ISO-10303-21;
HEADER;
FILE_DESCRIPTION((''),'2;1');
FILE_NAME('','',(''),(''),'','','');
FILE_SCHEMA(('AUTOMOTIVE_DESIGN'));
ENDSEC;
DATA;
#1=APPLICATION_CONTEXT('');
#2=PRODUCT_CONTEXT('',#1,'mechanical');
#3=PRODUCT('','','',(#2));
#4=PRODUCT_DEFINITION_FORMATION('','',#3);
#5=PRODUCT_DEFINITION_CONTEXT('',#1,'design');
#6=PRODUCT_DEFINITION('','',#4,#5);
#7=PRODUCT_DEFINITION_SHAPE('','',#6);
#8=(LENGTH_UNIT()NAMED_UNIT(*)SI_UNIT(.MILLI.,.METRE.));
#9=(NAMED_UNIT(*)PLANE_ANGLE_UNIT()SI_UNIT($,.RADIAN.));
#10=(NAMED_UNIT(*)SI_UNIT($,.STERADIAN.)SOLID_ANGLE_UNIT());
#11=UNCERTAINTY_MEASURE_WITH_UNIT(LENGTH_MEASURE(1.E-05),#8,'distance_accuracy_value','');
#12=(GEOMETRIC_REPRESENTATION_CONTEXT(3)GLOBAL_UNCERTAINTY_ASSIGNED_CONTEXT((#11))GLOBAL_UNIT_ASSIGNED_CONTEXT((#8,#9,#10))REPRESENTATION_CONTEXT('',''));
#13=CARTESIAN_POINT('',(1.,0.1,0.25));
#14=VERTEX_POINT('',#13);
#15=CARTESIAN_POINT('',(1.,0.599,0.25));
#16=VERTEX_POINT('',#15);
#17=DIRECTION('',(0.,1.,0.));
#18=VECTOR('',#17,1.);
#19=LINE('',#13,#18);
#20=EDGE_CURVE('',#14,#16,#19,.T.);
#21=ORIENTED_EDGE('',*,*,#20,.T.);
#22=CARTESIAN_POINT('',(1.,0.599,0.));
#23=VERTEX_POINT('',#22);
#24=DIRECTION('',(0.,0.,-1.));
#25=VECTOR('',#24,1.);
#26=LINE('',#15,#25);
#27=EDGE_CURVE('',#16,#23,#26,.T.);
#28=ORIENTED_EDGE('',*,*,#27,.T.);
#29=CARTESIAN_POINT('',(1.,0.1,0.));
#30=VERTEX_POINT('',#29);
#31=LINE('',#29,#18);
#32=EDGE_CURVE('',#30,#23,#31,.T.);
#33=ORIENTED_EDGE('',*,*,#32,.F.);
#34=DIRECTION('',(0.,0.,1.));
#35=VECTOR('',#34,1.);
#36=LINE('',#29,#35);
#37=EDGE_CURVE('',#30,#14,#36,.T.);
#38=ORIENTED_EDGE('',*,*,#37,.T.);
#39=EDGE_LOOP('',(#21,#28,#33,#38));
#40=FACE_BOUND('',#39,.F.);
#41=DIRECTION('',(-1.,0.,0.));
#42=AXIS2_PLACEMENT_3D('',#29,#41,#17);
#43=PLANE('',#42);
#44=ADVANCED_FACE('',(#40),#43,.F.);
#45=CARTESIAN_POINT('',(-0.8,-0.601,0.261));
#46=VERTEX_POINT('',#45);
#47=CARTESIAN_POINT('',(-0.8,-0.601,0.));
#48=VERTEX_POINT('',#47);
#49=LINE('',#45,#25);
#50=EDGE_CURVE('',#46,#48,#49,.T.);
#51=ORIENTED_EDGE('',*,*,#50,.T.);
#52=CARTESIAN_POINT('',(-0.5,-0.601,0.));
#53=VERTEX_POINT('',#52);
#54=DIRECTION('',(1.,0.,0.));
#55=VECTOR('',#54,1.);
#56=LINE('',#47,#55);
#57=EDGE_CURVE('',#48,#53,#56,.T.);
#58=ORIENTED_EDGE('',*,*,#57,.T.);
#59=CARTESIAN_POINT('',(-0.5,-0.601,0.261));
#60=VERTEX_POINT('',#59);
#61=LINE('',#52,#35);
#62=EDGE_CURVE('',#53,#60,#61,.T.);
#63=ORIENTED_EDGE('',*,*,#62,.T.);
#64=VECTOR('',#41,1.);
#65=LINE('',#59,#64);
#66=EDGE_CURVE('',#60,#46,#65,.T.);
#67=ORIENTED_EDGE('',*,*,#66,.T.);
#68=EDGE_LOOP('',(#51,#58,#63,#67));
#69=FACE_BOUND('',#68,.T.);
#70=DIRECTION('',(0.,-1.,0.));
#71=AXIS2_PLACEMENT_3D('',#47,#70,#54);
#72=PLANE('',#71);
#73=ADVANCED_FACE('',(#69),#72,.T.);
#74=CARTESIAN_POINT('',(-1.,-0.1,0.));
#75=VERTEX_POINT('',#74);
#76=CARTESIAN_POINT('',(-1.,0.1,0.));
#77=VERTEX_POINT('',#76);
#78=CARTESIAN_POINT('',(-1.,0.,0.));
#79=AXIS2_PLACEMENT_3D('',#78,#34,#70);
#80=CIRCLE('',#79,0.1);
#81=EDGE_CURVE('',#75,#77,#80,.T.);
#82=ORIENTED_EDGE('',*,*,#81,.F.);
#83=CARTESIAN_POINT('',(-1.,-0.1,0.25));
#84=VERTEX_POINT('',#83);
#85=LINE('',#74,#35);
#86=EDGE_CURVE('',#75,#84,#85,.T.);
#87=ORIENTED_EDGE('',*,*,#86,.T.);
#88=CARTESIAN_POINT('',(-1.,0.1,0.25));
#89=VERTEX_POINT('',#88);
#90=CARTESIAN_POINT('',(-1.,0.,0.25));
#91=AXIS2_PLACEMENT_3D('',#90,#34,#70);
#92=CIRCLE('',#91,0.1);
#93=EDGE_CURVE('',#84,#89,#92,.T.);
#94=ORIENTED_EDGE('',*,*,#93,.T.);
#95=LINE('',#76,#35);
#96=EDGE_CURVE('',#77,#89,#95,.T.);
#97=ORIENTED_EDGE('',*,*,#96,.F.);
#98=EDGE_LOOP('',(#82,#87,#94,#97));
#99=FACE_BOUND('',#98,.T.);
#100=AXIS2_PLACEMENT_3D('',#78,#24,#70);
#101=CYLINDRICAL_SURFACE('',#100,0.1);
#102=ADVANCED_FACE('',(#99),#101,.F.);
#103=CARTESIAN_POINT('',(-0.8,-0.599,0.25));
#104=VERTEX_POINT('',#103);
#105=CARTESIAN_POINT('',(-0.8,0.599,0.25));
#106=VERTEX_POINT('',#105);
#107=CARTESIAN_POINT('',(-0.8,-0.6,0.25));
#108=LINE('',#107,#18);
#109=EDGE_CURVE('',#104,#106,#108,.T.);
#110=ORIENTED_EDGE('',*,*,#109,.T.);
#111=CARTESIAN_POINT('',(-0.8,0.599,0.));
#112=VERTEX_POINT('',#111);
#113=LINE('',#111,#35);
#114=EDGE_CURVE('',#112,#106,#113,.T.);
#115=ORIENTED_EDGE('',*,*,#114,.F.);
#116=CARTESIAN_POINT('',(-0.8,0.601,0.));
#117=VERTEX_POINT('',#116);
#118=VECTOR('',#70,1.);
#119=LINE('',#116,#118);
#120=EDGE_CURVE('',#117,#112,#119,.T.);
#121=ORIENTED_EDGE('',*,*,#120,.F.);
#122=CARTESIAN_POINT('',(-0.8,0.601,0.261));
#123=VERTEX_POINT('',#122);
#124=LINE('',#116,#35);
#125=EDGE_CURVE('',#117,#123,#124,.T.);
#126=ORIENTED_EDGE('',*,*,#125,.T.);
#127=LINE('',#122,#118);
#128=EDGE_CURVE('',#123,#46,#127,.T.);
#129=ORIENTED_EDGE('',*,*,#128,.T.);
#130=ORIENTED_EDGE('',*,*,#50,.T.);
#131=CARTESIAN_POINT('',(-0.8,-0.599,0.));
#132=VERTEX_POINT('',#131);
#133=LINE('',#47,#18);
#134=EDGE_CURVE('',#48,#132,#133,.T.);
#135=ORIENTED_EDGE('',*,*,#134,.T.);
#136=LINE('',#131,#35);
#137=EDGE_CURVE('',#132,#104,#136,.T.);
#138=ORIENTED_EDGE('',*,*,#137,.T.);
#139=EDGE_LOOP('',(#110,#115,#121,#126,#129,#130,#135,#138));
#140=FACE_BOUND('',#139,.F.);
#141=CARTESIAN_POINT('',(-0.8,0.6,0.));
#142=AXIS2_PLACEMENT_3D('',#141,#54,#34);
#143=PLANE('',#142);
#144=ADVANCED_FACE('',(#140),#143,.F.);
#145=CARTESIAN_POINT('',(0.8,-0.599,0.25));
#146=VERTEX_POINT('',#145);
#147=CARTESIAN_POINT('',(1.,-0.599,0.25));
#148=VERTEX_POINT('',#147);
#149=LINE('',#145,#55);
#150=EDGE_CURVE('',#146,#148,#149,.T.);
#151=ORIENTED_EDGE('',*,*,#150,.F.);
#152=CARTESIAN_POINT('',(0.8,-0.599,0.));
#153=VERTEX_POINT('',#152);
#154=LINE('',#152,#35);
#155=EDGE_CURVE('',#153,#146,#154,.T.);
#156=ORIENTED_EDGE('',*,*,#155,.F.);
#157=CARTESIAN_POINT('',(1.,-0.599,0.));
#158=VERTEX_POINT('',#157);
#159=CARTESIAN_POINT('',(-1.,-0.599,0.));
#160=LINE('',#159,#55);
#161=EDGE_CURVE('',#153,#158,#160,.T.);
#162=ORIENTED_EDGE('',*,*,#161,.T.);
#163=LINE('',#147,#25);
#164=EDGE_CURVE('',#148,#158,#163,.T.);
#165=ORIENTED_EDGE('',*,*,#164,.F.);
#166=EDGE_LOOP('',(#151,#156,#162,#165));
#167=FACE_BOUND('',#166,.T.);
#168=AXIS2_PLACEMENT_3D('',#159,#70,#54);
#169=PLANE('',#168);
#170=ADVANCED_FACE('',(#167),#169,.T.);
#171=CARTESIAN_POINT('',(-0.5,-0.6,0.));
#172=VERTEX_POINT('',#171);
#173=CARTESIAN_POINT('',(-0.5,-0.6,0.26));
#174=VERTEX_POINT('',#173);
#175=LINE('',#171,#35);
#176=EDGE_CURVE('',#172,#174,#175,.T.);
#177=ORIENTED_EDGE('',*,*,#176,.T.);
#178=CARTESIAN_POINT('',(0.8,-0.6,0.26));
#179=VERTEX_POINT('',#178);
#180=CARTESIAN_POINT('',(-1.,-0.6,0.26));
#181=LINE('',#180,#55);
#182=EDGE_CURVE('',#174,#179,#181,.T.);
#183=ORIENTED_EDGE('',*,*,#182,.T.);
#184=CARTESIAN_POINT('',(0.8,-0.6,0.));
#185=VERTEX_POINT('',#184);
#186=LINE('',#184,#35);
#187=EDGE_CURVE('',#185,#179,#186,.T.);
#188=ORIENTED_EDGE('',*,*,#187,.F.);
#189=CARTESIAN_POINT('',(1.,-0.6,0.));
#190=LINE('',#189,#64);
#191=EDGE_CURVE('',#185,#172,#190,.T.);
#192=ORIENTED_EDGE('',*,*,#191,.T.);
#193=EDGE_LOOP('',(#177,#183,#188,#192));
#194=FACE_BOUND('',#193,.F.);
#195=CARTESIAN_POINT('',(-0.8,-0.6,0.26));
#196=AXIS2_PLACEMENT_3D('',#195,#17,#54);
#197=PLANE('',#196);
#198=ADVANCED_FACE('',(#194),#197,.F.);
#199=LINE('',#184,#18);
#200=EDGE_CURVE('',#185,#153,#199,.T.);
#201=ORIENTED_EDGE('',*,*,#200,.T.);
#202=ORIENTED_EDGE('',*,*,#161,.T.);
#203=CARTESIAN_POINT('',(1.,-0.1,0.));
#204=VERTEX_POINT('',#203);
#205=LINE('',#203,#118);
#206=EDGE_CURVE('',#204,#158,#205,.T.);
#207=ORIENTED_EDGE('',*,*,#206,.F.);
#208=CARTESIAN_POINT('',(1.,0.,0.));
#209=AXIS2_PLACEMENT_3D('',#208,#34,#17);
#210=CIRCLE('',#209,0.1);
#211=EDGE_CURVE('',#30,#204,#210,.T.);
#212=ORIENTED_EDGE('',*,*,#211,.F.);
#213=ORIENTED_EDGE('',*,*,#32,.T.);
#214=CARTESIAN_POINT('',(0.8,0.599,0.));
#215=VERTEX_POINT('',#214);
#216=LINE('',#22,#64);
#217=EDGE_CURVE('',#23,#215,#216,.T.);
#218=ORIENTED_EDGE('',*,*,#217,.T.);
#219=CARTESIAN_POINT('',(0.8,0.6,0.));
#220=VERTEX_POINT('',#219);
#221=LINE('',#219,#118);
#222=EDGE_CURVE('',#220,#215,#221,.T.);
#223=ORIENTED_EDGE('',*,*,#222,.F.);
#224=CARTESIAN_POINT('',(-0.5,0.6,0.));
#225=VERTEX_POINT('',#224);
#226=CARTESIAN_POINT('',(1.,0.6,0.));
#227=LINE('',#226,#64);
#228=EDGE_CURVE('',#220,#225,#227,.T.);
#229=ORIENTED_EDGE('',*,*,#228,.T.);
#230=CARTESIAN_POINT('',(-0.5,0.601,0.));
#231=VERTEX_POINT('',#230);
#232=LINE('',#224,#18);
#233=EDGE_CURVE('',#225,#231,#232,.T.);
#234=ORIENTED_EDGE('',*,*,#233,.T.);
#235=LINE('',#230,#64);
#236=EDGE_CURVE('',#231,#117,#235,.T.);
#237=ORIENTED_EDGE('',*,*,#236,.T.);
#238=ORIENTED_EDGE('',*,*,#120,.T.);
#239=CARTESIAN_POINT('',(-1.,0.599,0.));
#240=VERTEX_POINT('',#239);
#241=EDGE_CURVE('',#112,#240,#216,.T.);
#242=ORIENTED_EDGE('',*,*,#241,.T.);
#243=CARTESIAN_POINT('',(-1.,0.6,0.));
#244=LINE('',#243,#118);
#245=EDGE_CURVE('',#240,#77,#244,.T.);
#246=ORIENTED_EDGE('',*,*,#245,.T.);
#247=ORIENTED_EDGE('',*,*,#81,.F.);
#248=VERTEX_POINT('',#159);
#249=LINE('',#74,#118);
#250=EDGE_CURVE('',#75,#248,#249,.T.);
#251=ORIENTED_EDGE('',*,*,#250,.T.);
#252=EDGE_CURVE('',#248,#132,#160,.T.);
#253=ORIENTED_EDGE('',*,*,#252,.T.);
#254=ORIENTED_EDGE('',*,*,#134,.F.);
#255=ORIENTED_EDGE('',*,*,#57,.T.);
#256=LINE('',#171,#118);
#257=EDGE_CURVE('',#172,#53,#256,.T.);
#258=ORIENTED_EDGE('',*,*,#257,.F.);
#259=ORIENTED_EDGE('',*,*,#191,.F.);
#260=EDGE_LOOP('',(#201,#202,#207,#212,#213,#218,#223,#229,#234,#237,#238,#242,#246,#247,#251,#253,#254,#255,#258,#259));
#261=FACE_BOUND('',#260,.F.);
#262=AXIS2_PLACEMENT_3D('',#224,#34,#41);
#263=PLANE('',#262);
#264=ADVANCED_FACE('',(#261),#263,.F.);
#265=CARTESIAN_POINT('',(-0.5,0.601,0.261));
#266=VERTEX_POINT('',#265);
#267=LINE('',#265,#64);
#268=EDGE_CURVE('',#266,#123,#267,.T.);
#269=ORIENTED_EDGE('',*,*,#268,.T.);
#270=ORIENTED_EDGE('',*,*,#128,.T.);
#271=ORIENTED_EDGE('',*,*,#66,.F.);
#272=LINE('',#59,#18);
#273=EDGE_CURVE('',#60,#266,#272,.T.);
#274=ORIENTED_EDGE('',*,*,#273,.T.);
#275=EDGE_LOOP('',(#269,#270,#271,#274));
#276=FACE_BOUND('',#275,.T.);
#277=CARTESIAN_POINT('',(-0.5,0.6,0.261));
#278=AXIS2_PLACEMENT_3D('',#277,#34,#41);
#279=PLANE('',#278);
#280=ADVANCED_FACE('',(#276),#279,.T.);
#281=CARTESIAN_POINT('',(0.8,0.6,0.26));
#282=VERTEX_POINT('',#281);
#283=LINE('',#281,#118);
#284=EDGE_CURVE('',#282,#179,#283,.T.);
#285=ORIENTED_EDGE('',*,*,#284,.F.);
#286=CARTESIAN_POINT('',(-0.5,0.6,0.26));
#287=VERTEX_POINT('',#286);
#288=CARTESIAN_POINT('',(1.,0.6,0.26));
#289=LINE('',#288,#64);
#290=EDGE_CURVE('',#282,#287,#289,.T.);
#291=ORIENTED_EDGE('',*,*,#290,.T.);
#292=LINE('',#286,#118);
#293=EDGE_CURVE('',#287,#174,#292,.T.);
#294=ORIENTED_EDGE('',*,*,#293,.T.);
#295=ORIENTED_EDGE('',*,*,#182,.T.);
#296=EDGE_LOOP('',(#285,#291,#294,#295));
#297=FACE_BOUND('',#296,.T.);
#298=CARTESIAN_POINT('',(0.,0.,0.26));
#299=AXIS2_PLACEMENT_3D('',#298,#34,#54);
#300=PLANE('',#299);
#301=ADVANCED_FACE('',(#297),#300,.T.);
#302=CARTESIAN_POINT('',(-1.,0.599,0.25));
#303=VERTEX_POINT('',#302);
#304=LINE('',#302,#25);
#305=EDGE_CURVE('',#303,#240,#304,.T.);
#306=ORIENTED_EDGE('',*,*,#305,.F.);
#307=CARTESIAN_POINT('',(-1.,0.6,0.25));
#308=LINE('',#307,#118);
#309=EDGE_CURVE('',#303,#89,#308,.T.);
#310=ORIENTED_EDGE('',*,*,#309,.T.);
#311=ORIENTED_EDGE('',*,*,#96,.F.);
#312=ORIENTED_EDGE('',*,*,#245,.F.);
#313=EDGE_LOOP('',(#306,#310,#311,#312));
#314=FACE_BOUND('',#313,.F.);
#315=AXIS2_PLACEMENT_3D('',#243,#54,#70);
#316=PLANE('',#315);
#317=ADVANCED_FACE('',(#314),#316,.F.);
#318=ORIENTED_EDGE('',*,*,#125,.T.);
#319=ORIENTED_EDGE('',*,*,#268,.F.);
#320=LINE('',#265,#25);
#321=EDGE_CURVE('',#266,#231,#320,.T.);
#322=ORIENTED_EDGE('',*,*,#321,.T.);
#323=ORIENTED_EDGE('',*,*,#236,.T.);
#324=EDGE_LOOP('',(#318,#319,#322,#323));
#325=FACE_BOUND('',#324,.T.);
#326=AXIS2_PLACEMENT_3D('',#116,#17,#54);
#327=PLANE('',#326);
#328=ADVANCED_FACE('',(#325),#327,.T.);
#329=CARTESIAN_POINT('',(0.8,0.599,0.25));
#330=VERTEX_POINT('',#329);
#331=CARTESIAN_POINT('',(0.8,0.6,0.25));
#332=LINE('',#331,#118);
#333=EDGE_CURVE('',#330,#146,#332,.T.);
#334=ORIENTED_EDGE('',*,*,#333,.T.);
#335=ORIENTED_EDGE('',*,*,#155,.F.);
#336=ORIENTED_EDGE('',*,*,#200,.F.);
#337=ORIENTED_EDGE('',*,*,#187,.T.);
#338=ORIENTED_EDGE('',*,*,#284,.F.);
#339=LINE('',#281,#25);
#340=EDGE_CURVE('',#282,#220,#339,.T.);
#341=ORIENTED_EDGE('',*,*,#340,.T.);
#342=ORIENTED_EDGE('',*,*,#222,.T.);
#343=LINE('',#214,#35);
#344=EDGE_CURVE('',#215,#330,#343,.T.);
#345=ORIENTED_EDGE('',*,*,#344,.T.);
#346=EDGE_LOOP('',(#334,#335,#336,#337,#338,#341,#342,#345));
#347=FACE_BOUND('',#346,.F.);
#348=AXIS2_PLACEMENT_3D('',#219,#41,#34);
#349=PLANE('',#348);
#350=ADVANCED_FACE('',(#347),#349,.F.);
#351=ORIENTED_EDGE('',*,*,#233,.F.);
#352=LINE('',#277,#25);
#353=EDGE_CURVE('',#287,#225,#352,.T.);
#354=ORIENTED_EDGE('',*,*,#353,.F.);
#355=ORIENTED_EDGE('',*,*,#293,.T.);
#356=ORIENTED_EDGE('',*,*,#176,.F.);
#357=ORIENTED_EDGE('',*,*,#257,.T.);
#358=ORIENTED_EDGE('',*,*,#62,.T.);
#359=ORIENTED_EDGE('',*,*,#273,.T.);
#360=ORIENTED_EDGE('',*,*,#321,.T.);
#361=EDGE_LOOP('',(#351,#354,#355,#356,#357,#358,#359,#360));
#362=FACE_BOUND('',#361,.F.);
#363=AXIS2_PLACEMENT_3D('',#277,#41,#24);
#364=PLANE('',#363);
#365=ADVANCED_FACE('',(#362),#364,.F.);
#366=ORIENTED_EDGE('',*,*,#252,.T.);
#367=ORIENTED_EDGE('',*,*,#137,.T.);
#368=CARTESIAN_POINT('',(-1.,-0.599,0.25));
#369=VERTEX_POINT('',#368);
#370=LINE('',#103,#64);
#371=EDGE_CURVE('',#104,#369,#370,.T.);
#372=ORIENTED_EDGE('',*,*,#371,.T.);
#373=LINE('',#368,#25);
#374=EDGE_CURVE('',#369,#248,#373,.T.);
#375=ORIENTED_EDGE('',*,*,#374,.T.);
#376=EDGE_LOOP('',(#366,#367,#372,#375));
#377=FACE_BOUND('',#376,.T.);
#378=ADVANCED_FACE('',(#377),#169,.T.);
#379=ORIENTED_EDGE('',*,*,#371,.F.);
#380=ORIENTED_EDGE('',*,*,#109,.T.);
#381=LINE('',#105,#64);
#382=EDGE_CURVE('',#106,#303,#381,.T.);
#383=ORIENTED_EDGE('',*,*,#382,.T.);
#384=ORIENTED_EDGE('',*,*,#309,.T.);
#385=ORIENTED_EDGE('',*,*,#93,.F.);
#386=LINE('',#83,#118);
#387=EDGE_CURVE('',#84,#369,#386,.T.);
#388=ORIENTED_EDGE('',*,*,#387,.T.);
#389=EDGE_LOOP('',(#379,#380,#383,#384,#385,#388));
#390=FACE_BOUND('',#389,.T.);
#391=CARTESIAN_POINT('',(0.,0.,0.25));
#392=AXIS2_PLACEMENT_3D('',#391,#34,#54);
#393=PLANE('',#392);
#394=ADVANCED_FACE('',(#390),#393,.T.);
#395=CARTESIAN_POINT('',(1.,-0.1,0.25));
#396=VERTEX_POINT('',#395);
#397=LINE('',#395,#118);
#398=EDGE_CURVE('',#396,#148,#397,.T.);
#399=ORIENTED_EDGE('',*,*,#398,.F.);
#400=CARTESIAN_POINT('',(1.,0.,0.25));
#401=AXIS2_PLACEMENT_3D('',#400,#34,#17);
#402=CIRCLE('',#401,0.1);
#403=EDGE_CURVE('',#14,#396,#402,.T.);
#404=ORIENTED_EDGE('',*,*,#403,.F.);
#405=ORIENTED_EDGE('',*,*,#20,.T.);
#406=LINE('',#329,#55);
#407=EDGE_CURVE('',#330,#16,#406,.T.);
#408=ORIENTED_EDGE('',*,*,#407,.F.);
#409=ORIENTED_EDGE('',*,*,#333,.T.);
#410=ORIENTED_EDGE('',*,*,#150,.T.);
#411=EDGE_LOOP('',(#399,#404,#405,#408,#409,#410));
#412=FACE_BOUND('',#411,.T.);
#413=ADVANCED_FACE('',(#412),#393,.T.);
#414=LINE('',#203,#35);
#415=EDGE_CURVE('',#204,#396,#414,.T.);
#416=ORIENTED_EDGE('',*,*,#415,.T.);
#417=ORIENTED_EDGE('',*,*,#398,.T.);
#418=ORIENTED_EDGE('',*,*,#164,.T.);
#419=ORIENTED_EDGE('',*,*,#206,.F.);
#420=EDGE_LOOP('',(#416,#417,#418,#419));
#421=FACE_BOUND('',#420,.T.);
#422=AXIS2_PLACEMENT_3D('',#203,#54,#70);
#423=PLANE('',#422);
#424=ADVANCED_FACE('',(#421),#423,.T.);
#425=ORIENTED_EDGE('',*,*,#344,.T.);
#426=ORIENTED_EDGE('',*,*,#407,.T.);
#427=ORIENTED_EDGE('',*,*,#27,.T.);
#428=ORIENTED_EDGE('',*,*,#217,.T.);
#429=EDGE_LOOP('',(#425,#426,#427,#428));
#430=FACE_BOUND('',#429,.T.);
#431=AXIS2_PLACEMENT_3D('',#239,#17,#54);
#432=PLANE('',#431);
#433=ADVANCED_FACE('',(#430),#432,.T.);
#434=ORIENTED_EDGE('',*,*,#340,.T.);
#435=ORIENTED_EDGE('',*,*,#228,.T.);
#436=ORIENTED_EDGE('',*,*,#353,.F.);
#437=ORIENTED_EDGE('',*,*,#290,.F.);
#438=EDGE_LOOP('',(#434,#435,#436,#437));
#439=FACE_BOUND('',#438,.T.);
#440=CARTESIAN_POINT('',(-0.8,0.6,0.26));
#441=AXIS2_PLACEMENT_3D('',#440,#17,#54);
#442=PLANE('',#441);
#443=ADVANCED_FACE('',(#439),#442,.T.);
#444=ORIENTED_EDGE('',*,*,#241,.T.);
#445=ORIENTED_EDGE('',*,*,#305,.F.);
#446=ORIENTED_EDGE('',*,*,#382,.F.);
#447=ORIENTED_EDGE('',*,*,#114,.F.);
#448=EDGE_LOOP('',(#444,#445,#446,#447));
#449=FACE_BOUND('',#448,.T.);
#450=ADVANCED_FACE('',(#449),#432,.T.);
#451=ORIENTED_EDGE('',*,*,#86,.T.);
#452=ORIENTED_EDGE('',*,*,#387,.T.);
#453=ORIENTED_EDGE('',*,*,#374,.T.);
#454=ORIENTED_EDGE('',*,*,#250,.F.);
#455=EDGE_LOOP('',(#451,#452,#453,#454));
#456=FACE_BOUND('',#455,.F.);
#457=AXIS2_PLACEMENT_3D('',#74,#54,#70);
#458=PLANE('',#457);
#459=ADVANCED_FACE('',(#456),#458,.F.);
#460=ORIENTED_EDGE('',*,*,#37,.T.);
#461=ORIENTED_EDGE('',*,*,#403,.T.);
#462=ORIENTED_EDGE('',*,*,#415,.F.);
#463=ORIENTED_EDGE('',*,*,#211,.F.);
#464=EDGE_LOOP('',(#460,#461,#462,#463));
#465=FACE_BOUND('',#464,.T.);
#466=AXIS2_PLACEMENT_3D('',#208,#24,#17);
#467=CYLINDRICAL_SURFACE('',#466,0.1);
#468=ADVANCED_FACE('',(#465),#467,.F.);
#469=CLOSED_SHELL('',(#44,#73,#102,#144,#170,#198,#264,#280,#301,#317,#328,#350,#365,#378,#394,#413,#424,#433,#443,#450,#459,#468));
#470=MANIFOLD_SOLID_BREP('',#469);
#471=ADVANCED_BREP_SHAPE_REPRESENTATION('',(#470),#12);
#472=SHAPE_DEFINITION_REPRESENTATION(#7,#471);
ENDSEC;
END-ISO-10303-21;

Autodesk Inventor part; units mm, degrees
ref_plane "YZ Plane" through (0, 0, 0) normal (1, 0, 0) x (0, 1, 0)
ref_plane "XZ Plane" through (0, 0, 0) normal (0, 1, 0) x (-1, 0, 0)
ref_plane "XY Plane" through (0, 0, 0) normal (0, 0, 1) x (1, 0, 0)
sketch "Schizzo1" plane through (0, 0, 0) normal (0, 0, 1) x (1, 0, 0)
  line L0 (-1, 0.6) -> (1, 0.6)
  line L1 (1, 0.6) -> (1, -0.6) construction
  line L2 (1, -0.6) -> (-1, -0.6)
  line L3 (-1, -0.6) -> (-1, 0.6) construction
  arc A0 (-1, -0.1) -> (-1, 0.1) centre (-1, 0) ccw
  line L4 (-1, 0.6) -> (-1, 0.1)
  line L5 (-1, -0.1) -> (-1, -0.6)
  arc A1 (1, 0.1) -> (1, -0.1) centre (1, 0) ccw
  line L6 (1, -0.1) -> (1, -0.6)
  line L7 (1, 0.1) -> (1, 0.6)
  line L8 (-0.8, 0.6) -> (0.8, 0.6)
  line L9 (0.8, 0.6) -> (0.8, -0.6)
  line L10 (0.8, -0.6) -> (-0.8, -0.6)
  line L11 (-0.8, -0.6) -> (-0.8, 0.6)
  point P0 (0, 0)
  dimension "d0" = 2
  dimension "d1" = 1.2
  dimension "d2" = 1
  dimension "d3" = 0.6
  dimension "d4" = 0.1
  dimension "d5" = 0.6
  dimension "d6" = 0.1
  dimension "d7" = 0.2
  dimension "d8" = 0.2
extrude "Estrusione1" add sketch "Schizzo1" along normal blind 0.25
sketch "Schizzo2" plane through (0, 0, 0.25) normal (0, 0, 1) x (1, 0, 0)
  line L0 (1, 0.6) -> (-1, 0.6) projected
  line L1 (-1, -0.6) -> (1, -0.6) projected
  line L2 (-0.8, 0.6) -> (0.8, 0.6)
  line L3 (0.8, 0.6) -> (0.8, -0.6)
  line L4 (0.8, -0.6) -> (-0.8, -0.6)
  line L5 (-0.8, -0.6) -> (-0.8, 0.6)
  line L6 (1, 0.1) -> (1, 0.6) projected
  line L7 (-1, 0.6) -> (-1, 0.1) projected
  point P0 (0, 0)
  dimension "d11" = 0.2
  dimension "d12" = 0.2
extrude "Estrusione2" add sketch "Schizzo2" along normal blind 0.01
sketch "Schizzo3" plane through (0, 0, 0.26) normal (0, 0, 1) x (1, 0, 0)
  line L0 (-0.8, -0.6) -> (-0.8, 0.6) projected
  line L1 (-1, -0.6) -> (1, -0.6) projected
  line L2 (-0.8, 0.6) -> (-0.5, 0.6)
  line L3 (-0.5, 0.6) -> (-0.5, -0.6)
  line L4 (-0.5, -0.6) -> (-0.8, -0.6)
  line L5 (-0.8, -0.6) -> (-0.8, 0.6)
  point P0 (0, 0)
  dimension "d15" = 0.3
extrude "Estrusione3" add sketch "Schizzo3" along normal blind 0.001
sketch "Schizzo4" plane through (-1, 0.6, 0) normal (0, 1, 0) x (1, 0, 0)
  line L0 (1.8, -0.25) -> (1.8, -0.26) projected
  line L1 (2, 0) -> (0, 0) projected
  line L2 (1.8, -0.25) -> (2, -0.25)
  line L3 (2, -0.25) -> (2, 0)
  line L4 (2, 0) -> (1.8, 0)
  line L5 (1.8, 0) -> (1.8, -0.25)
  line L6 (0, 0) -> (0.2, 0)
  line L7 (0.2, 0) -> (0.2, -0.25)
  line L8 (0.2, -0.25) -> (0, -0.25)
  line L9 (0, -0.25) -> (0, 0)
  point P0 (1, 0)
extrude "Estrusione4" cut sketch "Schizzo4" against normal blind 0.001
sketch "Schizzo5" plane through (-1, -0.6, 0) normal (0, -1, 0) x (1, 0, 0)
  line L0 (0.2, 0.25) -> (0.2, 0.261) projected
  line L1 (0.2, 0.25) -> (0, 0.25)
  line L2 (0, 0.25) -> (0, 0)
  line L3 (0, 0) -> (0.2, 0)
  line L4 (0.2, 0) -> (0.2, 0.25)
  line L5 (1.8, 0.25) -> (2, 0.25) projected
  line L6 (0, 0) -> (2, 0) projected
  line L7 (1.8, 0.25) -> (2, 0.25)
  line L8 (2, 0.25) -> (2, 0)
  line L9 (2, 0) -> (1.8, 0)
  line L10 (1.8, 0) -> (1.8, 0.25)
  point P0 (1, 0)
extrude "Estrusione5" cut sketch "Schizzo5" against normal blind 0.001
sketch "Schizzo7" plane through (-0.8, -0.6, 0) normal (0, -1, 0) x (1, 0, 0)
  line L0 (0.3, 0.261) -> (0, 0.261) projected
  line L1 (0, 0.261) -> (0, 0) projected
  line L2 (0.3, 0.261) -> (0, 0.261)
  line L3 (0, 0.261) -> (0, 0)
  line L4 (0, 0) -> (0.3, 0)
  line L5 (0.3, 0) -> (0.3, 0.261)
  point P0 (0.8, 0)
extrude "Estrusione6" add sketch "Schizzo7" along normal blind 0.001
sketch "Schizzo8" plane through (-0.8, 0.6, 0) normal (0, 1, 0) x (1, 0, 0)
  line L0 (0.3, -0.261) -> (0, -0.261) projected
  line L1 (0, -0.261) -> (0.3, -0.261)
  line L2 (0.3, -0.261) -> (0.3, 0)
  line L3 (0.3, 0) -> (0, 0)
  line L4 (0, 0) -> (0, -0.261)
  line L5 (0.3, -0.26) -> (0.3, -0.261) projected
  point P0 (0.8, 0)
extrude "Estrusione7" add sketch "Schizzo8" along normal blind 0.001
properties part number "fuse"
